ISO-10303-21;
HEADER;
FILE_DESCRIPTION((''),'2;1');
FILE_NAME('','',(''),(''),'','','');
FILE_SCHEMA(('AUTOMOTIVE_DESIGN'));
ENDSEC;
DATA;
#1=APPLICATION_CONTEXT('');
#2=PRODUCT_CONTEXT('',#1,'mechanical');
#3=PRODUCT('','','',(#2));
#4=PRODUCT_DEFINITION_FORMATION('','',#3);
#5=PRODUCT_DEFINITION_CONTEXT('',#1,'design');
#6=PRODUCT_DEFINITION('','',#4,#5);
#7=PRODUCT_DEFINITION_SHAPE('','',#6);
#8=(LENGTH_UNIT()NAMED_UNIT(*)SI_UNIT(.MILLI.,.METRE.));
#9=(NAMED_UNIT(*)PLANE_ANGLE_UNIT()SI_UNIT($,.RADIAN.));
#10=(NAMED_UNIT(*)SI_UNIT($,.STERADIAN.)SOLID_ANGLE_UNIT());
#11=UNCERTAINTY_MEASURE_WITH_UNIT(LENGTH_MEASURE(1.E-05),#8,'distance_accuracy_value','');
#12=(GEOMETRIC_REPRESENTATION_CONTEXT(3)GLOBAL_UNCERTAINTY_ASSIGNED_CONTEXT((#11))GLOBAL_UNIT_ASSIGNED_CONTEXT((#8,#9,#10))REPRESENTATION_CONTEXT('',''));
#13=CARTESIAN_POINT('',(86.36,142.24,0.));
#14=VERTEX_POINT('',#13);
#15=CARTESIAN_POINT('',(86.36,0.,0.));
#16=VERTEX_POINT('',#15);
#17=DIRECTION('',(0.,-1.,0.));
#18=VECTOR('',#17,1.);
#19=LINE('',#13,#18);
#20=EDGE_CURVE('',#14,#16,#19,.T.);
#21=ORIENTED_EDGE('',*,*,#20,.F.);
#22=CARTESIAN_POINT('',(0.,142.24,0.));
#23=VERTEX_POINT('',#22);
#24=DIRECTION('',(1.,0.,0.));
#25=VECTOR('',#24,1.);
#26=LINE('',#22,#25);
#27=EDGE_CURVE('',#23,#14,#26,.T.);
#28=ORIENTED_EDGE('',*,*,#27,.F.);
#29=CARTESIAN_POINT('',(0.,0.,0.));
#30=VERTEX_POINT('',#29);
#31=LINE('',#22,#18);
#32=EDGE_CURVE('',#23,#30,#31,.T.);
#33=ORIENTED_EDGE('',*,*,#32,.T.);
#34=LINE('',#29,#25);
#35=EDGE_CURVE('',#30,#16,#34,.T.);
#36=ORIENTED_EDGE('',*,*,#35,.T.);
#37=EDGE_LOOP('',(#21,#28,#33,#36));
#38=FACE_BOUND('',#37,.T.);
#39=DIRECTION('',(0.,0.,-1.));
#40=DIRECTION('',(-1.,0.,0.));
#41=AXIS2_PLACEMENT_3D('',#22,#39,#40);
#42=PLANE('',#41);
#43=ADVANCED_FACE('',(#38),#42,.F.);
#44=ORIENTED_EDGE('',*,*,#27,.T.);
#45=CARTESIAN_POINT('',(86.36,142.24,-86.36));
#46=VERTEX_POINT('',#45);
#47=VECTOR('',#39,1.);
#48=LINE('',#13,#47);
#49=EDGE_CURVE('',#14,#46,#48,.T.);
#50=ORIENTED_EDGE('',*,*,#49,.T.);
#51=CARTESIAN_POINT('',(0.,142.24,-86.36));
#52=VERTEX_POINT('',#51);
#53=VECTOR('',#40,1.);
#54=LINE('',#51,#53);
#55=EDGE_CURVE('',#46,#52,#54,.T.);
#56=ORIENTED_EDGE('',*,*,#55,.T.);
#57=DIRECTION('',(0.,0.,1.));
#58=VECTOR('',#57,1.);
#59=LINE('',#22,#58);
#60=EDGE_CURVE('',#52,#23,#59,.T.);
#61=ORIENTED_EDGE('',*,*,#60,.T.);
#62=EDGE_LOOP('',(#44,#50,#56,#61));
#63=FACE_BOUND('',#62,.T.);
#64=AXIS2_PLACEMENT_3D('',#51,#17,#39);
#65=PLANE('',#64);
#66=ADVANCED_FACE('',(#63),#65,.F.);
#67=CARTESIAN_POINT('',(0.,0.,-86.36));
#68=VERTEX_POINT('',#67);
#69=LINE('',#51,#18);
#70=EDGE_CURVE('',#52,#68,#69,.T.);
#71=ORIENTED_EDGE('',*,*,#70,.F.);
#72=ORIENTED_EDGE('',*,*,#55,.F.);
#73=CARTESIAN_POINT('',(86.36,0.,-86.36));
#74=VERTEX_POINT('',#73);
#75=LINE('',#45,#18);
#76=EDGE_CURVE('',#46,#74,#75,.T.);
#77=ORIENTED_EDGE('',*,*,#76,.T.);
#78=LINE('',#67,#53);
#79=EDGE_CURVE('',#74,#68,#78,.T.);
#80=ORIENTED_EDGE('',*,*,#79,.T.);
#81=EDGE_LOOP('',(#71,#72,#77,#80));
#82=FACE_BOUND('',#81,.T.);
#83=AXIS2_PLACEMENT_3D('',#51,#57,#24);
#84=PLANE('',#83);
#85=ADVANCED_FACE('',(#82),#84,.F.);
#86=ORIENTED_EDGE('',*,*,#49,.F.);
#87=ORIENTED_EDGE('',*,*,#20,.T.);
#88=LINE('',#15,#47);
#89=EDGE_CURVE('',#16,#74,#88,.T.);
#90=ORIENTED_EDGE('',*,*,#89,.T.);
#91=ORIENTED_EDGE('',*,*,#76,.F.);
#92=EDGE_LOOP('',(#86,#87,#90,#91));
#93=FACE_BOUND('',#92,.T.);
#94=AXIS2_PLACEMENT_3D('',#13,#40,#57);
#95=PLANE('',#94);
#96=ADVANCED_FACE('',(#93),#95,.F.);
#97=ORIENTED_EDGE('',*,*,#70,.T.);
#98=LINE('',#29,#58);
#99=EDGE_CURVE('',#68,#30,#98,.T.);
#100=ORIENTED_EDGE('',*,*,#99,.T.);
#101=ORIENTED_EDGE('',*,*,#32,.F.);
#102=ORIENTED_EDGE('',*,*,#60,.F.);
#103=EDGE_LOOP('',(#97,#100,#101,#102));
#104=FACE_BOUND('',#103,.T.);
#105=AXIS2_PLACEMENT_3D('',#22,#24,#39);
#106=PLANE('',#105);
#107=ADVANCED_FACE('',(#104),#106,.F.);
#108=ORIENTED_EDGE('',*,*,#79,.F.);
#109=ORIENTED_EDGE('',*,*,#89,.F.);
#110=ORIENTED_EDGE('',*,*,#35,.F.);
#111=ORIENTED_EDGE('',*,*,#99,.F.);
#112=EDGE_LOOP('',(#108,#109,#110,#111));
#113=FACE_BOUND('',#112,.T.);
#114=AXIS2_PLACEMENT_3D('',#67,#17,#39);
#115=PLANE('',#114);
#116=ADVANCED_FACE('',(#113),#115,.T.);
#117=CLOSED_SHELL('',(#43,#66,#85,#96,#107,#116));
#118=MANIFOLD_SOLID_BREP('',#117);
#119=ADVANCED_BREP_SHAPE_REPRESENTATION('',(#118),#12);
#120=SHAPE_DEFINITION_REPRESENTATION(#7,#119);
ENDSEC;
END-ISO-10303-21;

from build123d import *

# Parameters (mm, degrees)
SKETCH1_W      = 86.36
SKETCH1_H      = 86.36
EXTRUDE1_DEPTH = 142.24


with BuildPart() as part:
    # Sketch1 → Extrude1 (new body)
    with BuildSketch(Plane(origin=(0, 0, 0), x_dir=(1, 0, 0), z_dir=(0, 1, 0))):
        with Locations((43.18, 43.18)):
            Rectangle(SKETCH1_W, SKETCH1_H)
    extrude(amount=EXTRUDE1_DEPTH)


solid = part.part
